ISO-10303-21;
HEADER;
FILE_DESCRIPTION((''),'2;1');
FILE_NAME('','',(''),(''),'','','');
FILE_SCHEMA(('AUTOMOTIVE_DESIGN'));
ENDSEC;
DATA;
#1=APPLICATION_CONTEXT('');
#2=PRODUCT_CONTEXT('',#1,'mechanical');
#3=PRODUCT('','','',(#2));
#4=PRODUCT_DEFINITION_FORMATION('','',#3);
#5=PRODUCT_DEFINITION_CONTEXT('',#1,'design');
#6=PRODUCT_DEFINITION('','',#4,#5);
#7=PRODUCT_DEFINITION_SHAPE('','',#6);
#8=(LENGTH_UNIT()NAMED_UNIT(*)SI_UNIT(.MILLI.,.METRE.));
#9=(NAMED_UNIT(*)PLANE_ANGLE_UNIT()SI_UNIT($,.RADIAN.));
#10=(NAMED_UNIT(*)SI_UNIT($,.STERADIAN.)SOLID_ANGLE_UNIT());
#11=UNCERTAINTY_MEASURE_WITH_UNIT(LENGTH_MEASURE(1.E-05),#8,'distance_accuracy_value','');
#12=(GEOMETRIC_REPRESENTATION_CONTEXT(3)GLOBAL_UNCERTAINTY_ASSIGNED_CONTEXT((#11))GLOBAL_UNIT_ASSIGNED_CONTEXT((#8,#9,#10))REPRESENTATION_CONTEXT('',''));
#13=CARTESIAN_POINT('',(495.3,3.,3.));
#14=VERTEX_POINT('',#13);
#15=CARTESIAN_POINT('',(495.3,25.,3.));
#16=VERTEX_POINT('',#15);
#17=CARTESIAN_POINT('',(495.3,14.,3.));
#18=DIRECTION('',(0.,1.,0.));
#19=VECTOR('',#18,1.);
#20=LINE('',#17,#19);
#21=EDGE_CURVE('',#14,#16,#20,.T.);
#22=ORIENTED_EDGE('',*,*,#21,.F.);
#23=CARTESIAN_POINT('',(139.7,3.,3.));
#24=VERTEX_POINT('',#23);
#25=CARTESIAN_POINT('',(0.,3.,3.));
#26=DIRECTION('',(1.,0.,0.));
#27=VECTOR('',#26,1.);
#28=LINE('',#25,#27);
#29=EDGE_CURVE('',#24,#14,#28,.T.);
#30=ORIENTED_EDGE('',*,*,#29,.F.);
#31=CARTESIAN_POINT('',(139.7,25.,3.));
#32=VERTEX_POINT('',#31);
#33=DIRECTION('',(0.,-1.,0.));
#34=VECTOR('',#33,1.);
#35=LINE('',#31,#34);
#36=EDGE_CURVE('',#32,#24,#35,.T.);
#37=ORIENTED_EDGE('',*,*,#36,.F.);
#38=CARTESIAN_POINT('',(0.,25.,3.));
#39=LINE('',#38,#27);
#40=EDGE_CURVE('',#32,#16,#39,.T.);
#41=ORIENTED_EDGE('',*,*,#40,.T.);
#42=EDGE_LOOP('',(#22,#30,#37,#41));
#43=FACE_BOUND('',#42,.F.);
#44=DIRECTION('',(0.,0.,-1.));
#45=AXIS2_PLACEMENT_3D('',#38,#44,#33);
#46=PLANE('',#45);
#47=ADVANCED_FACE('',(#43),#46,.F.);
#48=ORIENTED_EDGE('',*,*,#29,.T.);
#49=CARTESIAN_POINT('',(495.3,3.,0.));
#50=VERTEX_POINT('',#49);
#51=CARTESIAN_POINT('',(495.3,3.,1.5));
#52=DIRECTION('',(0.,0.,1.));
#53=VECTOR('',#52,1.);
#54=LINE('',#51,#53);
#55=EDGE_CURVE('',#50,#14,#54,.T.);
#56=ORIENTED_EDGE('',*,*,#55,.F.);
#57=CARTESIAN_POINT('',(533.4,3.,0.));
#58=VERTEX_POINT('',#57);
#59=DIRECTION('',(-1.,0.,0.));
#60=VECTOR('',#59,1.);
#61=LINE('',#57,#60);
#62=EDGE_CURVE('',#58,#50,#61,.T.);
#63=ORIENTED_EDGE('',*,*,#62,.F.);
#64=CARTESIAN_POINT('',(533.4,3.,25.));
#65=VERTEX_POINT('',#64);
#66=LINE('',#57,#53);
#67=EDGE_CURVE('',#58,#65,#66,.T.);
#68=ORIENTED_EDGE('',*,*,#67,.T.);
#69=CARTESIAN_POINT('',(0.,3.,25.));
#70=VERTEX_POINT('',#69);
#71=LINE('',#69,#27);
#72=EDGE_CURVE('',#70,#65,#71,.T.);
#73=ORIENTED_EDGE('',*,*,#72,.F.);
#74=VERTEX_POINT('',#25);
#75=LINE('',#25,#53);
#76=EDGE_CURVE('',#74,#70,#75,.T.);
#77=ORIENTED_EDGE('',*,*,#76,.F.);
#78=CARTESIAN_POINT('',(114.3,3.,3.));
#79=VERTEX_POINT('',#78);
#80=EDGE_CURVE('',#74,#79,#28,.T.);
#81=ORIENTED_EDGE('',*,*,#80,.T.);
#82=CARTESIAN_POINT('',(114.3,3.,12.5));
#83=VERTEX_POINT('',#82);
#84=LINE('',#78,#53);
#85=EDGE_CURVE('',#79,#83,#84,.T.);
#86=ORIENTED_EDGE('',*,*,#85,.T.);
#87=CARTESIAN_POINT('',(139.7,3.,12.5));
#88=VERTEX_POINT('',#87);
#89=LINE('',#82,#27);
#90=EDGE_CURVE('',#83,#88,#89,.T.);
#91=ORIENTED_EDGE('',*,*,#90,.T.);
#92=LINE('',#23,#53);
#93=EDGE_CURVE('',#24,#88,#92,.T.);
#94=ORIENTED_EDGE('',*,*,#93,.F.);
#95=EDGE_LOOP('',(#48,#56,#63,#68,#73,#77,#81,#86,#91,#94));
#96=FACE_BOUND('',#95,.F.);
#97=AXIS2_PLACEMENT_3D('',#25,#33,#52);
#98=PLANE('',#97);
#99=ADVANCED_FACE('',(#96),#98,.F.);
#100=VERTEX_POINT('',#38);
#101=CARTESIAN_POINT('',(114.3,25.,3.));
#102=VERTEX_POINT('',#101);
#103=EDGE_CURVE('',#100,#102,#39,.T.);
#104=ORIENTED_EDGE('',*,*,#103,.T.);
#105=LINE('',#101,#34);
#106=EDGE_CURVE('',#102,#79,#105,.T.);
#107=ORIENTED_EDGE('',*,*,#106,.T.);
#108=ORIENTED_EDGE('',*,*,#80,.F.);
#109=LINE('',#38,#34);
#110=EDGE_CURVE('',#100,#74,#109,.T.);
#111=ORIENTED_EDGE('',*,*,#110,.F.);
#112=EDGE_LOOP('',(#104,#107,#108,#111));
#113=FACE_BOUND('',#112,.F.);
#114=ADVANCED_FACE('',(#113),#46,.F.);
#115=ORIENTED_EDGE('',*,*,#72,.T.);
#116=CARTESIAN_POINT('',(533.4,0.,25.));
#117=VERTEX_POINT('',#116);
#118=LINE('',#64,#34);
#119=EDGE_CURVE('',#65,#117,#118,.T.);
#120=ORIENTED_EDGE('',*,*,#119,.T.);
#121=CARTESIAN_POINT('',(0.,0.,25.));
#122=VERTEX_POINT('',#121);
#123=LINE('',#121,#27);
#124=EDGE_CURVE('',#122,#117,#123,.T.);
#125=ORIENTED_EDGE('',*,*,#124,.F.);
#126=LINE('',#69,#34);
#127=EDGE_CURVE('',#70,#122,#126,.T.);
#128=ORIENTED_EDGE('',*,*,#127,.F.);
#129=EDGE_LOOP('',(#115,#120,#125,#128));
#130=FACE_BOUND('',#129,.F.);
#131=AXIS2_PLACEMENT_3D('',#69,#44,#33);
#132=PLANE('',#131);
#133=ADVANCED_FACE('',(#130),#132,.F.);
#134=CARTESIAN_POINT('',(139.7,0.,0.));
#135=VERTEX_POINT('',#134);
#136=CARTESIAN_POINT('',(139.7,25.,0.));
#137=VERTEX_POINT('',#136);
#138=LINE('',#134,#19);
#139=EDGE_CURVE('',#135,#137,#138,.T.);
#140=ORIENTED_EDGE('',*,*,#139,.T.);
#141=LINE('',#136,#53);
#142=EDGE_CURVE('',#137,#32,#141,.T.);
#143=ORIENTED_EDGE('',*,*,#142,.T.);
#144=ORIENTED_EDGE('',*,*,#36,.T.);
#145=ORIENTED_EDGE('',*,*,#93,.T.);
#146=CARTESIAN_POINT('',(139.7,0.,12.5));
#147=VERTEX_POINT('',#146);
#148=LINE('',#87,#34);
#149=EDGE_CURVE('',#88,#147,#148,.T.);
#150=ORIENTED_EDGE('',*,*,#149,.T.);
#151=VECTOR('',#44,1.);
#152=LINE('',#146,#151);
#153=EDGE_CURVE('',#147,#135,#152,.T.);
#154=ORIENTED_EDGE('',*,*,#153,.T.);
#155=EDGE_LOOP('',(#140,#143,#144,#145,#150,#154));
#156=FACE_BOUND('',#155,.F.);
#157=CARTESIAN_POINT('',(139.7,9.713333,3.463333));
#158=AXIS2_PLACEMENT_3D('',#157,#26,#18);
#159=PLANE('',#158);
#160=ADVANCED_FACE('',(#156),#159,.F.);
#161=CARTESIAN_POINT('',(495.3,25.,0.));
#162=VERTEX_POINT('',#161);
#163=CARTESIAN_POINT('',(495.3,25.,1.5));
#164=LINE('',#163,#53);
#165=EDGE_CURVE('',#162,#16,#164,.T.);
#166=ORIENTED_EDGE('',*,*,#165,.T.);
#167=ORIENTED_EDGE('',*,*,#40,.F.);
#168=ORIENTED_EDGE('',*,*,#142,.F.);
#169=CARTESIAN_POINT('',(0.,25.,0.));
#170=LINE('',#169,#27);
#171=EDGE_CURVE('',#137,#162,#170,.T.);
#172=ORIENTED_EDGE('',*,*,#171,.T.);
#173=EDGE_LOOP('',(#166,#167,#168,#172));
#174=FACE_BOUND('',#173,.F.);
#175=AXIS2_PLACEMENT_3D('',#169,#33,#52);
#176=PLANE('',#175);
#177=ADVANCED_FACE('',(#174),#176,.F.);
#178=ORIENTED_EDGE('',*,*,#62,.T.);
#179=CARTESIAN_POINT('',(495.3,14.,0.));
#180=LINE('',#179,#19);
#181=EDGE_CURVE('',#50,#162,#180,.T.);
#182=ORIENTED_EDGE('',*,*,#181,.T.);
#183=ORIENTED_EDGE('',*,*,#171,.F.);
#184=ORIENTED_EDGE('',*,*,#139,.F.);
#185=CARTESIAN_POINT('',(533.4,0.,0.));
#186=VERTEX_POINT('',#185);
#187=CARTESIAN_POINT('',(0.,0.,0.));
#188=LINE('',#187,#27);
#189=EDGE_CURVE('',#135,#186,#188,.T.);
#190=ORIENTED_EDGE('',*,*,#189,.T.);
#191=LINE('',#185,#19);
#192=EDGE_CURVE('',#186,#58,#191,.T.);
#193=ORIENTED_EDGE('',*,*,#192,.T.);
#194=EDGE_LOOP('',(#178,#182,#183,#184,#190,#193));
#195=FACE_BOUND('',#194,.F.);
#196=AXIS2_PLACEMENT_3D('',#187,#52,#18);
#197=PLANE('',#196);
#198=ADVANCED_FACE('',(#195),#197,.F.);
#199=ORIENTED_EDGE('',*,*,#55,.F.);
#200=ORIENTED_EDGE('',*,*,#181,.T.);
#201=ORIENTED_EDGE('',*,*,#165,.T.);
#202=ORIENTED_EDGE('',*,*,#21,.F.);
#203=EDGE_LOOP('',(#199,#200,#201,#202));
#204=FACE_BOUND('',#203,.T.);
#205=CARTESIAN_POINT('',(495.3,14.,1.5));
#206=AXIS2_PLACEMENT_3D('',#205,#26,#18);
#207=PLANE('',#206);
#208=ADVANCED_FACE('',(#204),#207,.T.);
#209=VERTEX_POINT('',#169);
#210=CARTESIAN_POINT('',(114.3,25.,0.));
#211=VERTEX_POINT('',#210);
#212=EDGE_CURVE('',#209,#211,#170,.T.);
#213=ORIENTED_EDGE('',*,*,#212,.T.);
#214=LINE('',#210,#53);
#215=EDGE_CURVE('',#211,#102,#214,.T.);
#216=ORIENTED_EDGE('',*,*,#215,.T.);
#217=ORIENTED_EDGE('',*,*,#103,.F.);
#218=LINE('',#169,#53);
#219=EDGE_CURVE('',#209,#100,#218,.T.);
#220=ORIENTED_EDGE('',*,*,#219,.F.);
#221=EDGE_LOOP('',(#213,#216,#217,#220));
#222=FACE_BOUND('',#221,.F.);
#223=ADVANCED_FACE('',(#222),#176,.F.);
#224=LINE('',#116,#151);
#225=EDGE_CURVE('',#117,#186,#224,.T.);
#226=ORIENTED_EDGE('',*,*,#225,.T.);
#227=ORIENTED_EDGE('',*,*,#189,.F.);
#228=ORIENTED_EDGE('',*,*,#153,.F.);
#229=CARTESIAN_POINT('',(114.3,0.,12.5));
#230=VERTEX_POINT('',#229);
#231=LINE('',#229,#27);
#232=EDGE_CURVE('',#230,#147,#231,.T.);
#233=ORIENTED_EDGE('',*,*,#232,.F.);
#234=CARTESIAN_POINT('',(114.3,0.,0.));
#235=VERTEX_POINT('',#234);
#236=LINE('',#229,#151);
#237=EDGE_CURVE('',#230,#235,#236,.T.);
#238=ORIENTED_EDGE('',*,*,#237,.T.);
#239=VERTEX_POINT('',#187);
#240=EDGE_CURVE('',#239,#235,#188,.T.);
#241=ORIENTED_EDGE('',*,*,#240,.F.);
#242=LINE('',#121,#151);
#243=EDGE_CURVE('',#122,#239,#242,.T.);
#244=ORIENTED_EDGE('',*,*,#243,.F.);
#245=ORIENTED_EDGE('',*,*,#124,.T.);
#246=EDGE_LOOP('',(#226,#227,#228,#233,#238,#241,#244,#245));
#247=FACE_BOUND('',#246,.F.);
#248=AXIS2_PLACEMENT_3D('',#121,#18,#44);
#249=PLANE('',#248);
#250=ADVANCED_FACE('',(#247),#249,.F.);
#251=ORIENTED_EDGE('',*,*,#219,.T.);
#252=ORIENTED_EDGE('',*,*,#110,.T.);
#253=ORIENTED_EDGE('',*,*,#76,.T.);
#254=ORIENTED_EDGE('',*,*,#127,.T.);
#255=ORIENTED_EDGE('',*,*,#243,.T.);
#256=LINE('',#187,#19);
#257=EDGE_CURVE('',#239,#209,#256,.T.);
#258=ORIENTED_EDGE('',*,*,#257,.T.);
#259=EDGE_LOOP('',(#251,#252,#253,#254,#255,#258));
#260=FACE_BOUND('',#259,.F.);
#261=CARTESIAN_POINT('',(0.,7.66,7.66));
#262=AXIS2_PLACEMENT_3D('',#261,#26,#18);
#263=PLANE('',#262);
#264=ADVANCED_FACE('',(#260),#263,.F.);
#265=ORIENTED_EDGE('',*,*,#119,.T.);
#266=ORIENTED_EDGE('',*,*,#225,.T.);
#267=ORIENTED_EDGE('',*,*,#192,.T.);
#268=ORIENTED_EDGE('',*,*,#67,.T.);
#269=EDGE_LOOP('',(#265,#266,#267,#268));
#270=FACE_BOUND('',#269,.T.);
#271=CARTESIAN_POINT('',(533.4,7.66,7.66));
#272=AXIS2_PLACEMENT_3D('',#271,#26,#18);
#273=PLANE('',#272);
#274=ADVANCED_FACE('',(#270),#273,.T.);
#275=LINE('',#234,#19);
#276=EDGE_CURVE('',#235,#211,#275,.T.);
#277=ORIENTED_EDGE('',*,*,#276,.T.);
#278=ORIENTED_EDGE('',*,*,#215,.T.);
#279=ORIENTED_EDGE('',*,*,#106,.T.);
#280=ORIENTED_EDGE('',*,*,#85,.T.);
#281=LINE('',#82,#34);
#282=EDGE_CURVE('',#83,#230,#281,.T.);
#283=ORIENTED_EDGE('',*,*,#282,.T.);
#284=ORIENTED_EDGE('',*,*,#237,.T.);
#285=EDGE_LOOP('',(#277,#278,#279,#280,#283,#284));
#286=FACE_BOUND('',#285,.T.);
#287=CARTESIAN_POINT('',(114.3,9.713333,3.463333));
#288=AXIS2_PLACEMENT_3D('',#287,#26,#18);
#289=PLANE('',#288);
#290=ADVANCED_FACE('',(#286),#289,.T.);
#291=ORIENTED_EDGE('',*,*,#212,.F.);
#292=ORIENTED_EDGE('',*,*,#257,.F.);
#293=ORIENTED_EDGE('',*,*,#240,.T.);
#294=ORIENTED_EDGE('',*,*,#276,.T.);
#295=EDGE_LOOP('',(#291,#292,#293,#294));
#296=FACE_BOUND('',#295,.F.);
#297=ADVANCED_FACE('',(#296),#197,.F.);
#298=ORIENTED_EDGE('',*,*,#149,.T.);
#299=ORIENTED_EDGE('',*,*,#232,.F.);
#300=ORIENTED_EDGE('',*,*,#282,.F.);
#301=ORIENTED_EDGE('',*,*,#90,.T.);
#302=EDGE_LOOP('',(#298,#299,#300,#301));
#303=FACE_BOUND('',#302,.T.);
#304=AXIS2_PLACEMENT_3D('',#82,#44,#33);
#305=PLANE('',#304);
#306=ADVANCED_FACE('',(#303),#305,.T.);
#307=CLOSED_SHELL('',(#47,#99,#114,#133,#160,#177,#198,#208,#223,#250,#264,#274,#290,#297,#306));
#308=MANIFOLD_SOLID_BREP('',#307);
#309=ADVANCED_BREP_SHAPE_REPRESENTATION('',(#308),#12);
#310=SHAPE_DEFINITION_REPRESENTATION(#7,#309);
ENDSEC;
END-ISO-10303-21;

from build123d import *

# Parameters (mm, degrees)
F1_DEPTH = 533.4
F4_DEPTH = 25.4
F6_W     = 22
F6_H     = 3
F7_DEPTH = 38.1


with BuildPart() as f1:
    # F0 (on Right) → F1 (new body)
    with BuildSketch(Plane.YZ):
        Polygon((0, 25), (0, 0), (25, 0), (25, 3), (3, 3), (3, 25), align=None)
    extrude(amount=F1_DEPTH)

    # F3 (on offset) → F4 (cut)
    with BuildSketch(Plane.YZ.offset(114.3)):
        Polygon((0, 12.5), (0, 0), (25, 0), (25, 3), (3, 3), (3, 12.5), align=None)
    extrude(amount=F4_DEPTH, mode=Mode.SUBTRACT)

    # F6 (on offset) → F7 (cut)
    with BuildSketch(Plane.YZ.offset(533.4)):
        with Locations((14, 1.5)):
            Rectangle(F6_W, F6_H)
    extrude(amount=-F7_DEPTH, mode=Mode.SUBTRACT)


solid = f1.part
